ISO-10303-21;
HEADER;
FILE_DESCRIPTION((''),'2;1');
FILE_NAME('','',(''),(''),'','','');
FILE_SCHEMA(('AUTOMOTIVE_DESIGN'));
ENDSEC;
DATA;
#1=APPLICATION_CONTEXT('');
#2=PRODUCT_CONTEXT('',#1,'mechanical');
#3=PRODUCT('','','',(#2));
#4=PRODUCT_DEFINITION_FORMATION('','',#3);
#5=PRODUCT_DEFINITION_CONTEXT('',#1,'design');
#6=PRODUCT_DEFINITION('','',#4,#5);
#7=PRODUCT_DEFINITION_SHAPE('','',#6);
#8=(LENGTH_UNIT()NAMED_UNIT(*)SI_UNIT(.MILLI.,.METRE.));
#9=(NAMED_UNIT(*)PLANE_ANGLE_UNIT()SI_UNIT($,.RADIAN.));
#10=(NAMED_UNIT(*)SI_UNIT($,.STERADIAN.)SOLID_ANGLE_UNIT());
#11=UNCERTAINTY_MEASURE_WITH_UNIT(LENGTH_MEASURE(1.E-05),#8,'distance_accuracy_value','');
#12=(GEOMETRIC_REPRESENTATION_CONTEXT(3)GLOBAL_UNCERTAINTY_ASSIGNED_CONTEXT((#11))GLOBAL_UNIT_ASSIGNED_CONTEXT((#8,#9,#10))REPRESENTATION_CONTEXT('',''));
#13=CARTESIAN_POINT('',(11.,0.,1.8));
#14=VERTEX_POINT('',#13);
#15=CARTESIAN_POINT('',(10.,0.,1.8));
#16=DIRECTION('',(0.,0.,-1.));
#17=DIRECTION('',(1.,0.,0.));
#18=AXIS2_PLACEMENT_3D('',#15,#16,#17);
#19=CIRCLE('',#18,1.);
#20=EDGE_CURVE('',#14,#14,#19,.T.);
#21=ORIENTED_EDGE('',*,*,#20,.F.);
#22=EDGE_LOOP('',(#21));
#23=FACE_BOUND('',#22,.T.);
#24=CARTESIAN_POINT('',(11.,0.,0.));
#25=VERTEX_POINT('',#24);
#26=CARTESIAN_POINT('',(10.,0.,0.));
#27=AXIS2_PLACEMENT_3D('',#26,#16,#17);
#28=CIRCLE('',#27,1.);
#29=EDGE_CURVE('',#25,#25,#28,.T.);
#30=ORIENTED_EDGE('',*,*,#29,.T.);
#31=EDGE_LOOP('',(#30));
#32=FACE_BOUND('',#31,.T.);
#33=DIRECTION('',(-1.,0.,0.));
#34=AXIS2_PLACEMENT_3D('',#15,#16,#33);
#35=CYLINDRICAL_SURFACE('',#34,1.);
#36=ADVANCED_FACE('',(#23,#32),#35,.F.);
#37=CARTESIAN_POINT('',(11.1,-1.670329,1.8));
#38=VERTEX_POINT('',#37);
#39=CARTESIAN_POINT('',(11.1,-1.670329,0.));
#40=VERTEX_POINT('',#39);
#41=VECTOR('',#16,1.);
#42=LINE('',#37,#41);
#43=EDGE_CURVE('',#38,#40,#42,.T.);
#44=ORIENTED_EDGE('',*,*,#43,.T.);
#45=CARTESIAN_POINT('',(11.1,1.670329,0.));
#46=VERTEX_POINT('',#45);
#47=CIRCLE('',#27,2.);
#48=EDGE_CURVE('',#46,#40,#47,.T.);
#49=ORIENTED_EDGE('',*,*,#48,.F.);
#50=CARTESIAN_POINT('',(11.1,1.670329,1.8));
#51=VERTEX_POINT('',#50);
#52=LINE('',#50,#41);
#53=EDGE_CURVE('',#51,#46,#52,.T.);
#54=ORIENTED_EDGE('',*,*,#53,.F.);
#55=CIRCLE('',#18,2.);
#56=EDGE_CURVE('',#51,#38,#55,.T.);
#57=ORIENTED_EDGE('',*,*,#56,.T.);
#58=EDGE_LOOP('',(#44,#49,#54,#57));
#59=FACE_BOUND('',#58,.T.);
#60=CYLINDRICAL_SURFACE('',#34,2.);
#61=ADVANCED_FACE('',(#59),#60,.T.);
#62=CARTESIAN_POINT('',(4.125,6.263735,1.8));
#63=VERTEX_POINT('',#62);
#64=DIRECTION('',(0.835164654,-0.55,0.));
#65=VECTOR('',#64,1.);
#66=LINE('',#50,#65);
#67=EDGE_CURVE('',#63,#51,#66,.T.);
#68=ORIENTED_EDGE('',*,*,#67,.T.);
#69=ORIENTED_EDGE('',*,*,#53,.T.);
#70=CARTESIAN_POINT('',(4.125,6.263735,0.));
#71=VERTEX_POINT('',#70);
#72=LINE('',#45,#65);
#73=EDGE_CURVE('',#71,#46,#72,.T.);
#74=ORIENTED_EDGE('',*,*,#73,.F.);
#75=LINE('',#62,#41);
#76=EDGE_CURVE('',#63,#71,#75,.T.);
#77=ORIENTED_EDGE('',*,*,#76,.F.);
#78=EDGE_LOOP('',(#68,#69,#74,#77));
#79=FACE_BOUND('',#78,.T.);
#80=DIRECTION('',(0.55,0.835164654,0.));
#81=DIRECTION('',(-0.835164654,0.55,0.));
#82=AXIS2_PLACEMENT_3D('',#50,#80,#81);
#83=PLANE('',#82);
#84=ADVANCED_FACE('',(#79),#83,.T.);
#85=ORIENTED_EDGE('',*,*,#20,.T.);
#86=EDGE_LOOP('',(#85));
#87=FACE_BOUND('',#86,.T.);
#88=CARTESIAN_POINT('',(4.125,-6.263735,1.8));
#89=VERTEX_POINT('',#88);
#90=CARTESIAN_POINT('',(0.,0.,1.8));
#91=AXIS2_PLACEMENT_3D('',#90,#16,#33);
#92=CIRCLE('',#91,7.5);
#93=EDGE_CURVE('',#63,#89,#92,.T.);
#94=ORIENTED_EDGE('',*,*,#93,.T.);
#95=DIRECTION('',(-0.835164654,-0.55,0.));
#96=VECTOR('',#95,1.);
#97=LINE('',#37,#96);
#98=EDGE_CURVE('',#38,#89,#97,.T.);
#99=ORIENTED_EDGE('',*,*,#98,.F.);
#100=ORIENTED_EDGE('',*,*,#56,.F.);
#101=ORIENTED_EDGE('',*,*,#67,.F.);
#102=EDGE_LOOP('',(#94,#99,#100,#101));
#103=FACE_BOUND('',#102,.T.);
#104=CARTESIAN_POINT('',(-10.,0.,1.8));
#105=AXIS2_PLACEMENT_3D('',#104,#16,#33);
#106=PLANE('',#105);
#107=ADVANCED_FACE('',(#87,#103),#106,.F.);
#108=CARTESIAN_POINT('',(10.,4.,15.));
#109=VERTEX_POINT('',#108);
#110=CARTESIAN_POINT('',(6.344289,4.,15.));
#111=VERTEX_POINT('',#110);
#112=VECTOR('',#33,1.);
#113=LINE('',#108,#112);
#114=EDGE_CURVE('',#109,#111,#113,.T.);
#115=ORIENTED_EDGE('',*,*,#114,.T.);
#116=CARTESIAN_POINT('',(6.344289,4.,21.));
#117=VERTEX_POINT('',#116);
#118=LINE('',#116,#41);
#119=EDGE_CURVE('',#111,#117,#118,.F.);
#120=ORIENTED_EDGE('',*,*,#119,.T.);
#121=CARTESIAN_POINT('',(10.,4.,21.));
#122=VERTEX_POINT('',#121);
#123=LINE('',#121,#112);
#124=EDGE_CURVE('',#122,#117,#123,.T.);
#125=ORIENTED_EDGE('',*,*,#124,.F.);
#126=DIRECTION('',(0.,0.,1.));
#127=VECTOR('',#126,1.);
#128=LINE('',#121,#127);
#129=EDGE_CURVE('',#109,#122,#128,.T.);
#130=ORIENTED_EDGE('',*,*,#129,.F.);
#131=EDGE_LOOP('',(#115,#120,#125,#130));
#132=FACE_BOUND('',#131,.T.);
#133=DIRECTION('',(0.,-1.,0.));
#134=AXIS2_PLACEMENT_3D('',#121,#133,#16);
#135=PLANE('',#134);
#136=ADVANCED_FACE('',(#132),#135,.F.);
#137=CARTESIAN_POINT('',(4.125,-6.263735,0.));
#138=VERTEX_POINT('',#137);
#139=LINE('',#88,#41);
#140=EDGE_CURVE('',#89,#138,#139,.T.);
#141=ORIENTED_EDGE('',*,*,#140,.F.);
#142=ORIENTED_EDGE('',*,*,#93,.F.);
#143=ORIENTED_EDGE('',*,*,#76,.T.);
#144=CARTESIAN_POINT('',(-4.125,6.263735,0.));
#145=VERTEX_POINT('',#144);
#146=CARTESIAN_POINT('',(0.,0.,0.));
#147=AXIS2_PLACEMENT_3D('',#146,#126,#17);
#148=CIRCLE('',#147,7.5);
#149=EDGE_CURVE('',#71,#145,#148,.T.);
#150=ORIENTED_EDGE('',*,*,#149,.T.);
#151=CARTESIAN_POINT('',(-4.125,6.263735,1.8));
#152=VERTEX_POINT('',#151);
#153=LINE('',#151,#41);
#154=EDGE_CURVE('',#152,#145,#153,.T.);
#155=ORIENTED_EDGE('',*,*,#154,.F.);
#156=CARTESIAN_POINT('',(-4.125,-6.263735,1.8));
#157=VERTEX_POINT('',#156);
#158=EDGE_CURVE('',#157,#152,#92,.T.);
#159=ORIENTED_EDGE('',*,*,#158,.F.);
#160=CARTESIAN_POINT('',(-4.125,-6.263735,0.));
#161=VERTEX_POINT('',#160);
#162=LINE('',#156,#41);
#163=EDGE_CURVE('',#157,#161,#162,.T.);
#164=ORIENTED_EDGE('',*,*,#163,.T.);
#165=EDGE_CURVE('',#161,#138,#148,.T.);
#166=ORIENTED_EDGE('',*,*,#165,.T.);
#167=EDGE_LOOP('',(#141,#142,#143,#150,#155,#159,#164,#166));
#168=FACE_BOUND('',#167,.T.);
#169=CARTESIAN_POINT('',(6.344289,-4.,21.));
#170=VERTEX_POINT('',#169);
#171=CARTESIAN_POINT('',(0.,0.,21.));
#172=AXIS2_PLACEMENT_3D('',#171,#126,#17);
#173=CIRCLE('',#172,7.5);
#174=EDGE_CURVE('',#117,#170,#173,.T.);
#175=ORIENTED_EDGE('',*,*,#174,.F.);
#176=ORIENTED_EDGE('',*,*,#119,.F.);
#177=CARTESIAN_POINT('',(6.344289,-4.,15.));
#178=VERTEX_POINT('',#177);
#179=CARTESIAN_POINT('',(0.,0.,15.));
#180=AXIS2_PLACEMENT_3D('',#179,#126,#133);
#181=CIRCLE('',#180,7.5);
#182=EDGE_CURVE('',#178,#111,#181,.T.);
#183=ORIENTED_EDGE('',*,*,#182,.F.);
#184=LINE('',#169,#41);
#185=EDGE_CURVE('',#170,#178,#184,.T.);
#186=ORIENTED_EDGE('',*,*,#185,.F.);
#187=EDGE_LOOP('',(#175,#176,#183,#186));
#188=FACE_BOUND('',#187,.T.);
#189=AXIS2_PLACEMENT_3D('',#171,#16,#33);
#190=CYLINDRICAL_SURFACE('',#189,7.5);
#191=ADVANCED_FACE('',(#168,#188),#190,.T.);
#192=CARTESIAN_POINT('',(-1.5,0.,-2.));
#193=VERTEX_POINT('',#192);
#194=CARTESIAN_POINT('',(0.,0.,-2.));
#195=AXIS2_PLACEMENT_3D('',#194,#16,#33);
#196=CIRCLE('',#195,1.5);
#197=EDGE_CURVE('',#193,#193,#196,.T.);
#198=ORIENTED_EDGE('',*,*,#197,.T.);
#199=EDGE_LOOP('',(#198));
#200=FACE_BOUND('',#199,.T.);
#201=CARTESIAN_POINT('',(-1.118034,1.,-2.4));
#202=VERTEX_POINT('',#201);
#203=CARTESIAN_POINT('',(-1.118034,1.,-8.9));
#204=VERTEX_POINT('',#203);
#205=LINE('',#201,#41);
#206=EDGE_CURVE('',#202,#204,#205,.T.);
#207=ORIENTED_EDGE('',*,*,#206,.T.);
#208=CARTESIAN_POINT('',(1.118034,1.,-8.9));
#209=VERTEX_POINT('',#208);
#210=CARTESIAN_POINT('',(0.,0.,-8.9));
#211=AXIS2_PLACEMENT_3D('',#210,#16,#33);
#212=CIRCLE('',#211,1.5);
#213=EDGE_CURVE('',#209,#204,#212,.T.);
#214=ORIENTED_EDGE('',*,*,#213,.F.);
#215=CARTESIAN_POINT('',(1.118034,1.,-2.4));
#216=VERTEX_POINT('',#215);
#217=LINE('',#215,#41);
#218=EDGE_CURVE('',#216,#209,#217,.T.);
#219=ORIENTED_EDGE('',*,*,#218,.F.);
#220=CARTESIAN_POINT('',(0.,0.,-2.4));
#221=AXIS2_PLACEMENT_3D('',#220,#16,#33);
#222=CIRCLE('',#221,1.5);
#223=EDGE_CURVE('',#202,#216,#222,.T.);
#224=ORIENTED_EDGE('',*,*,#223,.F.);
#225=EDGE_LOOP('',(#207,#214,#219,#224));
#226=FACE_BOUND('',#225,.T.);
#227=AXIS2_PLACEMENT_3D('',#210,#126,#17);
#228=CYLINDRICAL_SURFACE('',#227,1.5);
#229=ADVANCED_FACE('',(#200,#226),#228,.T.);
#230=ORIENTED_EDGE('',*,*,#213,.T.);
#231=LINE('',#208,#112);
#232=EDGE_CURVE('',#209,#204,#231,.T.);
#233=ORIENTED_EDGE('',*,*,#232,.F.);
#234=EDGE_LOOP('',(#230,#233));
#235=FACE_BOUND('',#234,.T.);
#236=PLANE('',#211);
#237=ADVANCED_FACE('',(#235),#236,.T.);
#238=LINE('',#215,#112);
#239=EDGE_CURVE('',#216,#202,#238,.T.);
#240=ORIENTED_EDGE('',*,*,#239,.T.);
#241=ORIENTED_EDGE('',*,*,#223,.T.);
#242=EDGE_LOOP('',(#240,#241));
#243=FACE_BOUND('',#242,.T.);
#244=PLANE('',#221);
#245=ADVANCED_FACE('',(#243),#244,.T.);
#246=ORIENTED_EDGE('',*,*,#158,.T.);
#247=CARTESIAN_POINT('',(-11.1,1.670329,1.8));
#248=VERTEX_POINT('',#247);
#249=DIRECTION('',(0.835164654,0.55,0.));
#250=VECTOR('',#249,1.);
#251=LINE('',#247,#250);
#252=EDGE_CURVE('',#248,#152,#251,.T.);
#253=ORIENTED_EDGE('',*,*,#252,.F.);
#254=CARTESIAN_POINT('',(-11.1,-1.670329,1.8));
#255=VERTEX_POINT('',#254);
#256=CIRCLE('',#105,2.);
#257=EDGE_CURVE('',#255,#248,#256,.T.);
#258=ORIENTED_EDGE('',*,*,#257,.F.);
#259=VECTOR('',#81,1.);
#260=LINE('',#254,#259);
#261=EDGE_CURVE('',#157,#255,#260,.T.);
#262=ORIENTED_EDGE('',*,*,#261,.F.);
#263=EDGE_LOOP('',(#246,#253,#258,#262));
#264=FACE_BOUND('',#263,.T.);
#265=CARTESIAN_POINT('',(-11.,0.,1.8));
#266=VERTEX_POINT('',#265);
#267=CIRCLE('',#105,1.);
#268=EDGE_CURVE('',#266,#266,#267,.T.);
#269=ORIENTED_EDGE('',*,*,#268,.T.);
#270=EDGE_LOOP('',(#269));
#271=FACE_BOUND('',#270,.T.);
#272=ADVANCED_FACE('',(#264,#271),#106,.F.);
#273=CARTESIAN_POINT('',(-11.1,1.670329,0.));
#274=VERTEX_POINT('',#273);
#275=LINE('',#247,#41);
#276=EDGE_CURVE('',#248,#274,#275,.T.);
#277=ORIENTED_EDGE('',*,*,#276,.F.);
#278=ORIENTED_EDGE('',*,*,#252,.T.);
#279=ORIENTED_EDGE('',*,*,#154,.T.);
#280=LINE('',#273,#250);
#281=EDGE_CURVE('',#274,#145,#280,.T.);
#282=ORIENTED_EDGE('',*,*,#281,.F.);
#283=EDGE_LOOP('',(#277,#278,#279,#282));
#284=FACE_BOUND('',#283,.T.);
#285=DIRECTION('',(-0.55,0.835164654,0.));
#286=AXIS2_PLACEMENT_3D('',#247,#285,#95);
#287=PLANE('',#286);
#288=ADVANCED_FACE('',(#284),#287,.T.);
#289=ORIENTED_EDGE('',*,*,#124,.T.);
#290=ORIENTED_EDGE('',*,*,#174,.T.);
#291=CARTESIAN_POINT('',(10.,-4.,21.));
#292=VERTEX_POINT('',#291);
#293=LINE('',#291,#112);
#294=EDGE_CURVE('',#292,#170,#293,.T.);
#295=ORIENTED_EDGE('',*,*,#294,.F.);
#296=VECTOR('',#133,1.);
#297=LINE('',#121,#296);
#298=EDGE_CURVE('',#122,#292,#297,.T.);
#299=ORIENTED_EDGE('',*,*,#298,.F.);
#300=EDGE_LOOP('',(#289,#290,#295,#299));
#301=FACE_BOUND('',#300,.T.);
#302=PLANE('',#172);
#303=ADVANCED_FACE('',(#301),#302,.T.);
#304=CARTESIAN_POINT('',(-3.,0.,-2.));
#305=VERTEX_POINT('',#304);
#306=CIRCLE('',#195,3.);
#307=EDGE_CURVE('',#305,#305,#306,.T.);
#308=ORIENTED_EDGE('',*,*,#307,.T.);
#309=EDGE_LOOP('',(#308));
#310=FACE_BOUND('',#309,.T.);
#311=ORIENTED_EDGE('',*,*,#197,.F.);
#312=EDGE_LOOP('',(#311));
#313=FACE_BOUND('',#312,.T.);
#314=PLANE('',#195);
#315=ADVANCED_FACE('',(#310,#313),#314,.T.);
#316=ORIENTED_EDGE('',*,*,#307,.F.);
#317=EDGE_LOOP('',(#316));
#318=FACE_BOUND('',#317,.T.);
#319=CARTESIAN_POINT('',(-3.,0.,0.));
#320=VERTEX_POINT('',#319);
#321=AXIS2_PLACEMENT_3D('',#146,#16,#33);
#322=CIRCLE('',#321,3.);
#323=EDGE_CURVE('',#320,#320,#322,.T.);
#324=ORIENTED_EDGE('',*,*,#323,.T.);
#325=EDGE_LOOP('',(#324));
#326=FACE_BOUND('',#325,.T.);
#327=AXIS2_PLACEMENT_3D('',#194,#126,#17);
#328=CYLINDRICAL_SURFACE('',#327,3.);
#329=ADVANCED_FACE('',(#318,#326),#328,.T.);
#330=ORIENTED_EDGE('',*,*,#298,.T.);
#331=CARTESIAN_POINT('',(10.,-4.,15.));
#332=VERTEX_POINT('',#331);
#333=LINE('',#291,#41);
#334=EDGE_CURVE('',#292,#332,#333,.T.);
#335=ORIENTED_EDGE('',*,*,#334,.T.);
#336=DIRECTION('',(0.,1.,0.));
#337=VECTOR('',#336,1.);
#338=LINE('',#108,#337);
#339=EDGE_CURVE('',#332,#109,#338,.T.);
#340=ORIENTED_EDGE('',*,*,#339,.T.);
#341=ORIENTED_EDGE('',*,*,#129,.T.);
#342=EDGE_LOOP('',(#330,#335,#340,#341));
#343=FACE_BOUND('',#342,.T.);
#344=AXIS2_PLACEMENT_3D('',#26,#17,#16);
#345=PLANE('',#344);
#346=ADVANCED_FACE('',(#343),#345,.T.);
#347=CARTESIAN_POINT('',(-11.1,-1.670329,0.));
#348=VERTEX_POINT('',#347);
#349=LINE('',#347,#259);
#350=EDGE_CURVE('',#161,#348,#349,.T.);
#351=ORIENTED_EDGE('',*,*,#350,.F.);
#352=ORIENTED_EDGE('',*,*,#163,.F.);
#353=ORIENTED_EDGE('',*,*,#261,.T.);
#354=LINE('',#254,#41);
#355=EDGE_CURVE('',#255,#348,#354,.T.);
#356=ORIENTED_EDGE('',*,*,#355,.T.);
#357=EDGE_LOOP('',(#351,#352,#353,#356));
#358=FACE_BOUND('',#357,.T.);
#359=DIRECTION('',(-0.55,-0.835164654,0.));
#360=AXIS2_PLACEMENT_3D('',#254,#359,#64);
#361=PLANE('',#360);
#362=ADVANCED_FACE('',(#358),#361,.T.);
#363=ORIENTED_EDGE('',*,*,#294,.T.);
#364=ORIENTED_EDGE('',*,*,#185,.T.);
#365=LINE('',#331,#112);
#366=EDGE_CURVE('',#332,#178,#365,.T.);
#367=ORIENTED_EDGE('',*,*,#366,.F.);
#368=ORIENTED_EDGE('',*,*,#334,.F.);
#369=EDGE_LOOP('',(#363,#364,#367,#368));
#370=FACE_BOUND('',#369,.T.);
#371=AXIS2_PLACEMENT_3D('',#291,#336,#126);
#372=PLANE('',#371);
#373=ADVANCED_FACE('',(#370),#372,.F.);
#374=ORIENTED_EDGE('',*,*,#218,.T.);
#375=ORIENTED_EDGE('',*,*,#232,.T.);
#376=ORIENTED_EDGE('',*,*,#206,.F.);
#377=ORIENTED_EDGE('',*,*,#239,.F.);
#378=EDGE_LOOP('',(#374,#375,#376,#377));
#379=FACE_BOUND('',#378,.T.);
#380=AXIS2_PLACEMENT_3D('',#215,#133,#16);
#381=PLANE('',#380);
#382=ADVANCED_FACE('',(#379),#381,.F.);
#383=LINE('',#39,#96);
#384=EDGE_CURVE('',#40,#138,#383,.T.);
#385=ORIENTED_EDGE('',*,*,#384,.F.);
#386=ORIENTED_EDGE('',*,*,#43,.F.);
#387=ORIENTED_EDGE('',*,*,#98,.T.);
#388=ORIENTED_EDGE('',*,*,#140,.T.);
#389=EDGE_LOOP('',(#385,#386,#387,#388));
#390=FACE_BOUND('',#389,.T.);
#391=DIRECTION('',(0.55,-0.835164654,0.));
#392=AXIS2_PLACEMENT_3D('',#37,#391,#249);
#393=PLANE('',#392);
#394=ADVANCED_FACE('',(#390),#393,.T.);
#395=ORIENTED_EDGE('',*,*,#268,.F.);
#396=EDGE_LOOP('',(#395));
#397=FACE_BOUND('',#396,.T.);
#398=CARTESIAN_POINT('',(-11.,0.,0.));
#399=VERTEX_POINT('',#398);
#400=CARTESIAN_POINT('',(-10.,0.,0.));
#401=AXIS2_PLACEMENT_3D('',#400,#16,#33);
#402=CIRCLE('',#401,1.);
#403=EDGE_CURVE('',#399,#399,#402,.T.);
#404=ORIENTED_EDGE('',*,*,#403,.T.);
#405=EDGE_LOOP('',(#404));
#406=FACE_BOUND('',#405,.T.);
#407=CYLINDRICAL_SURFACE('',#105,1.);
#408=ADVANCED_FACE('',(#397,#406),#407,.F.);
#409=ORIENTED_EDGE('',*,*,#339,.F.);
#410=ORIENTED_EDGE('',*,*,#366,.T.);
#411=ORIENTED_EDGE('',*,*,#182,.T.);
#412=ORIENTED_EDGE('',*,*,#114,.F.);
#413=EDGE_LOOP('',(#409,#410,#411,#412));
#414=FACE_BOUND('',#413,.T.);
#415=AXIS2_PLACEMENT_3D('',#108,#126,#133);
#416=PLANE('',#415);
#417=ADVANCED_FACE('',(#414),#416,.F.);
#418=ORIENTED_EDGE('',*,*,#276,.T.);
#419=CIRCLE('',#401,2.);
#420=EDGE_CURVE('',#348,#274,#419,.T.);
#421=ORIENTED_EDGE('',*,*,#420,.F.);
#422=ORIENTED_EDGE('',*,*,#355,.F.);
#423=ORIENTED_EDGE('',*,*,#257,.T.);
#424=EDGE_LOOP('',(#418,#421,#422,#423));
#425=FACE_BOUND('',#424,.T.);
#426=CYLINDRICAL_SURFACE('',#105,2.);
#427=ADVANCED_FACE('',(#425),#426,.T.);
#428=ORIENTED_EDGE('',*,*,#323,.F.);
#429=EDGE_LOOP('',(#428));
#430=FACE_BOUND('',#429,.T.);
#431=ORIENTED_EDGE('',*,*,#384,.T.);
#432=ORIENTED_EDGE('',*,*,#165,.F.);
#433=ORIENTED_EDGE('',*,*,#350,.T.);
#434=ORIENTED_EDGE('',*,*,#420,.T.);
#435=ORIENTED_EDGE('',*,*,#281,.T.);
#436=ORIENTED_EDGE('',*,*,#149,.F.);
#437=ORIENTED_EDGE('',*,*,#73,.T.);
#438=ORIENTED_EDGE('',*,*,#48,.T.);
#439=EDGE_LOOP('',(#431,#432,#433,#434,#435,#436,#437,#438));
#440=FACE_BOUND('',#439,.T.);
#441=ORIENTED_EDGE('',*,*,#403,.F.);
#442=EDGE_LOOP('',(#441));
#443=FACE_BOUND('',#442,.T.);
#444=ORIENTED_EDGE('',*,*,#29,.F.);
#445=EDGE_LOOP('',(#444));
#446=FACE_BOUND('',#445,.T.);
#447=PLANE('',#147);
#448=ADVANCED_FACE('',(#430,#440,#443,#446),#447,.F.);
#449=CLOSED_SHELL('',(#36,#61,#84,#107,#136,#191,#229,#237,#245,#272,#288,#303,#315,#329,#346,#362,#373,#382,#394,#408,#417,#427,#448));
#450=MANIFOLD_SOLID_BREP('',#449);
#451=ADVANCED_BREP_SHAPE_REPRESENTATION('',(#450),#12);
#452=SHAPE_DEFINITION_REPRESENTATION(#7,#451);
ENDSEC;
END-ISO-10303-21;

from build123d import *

# Parameters (mm, degrees)
SKETCH_2_R          = 7.5
EXTRUDE_2_DEPTH     = 21
SKETCH_3_R          = 3
EXTRUDE_3_DEPTH     = 2
SKETCH_4_R          = 1.5
EXTRUDE_4_DEPTH     = 6.9
CUT_EXTRUDE_START   = -6.5
CUT_EXTRUDE_1_DEPTH = 6.5
SKETCH_6_R          = 1
EXTRUDE_6_DEPTH     = 1.8
SKETCH_7_W          = 6
SKETCH_7_H          = 8
EXTRUDE_7_DEPTH     = 10


with BuildPart() as part:
    # 草图2 → 凸台-拉伸2 (new body)
    with BuildSketch(Plane.XY):
        with Locations(Location((0, 0, 0), (0, 0, 180))):
            Circle(SKETCH_2_R)
    extrude(amount=EXTRUDE_2_DEPTH)

    # 草图3 → 凸台-拉伸3 (add)
    with BuildSketch(Plane(origin=(0, 0, 0), x_dir=(-1, 0, 0), z_dir=(0, 0, -1))):
        Circle(SKETCH_3_R)
    extrude(amount=EXTRUDE_3_DEPTH)

    # 草图4 → 凸台-拉伸4 (add)
    with BuildSketch(Plane(origin=(0, 0, -2), x_dir=(-1, 0, 0), z_dir=(0, 0, -1))):
        with Locations(Location((0, 0, 0), (0, 0, 180))):
            Circle(SKETCH_4_R)
    extrude(amount=EXTRUDE_4_DEPTH)

    # 草图5 → 切除-拉伸1 (cut)
    with BuildSketch(Plane(origin=(0, 0, -8.9), x_dir=(-1, 0, 0), z_dir=(0, 0, -1)).offset(CUT_EXTRUDE_START)):
        with BuildLine():
            Line((-1.118033989, 1), (1.118033989, 1))
            ThreePointArc((1.118033989, 1), (0, 1.5), (-1.118033989, 1))
        make_face()
    extrude(amount=CUT_EXTRUDE_1_DEPTH, mode=Mode.SUBTRACT)

    # 草图6 → 凸台-拉伸6 (add)
    with BuildSketch(Plane(origin=(0, 0, 0), x_dir=(-1, 0, 0), z_dir=(0, 0, -1))):
        with BuildLine():
            Line((11.1, 1.670329309), (4.125, 6.263734908))
            ThreePointArc((4.125, 6.263734908), (0, 7.5), (-4.125, 6.263734908))
            Line((-4.125, 6.263734908), (-11.1, 1.670329309))
            ThreePointArc((-11.1, 1.670329309), (-12, 0), (-11.1, -1.670329309))
            Line((-11.1, -1.670329309), (-4.125, -6.263734908))
            ThreePointArc((-4.125, -6.263734908), (0, -7.5), (4.125, -6.263734908))
            Line((4.125, -6.263734908), (11.1, -1.670329309))
            ThreePointArc((11.1, -1.670329309), (12, 0), (11.1, 1.670329309))
        make_face()
        with Locations((10, 0)):
            Circle(SKETCH_6_R, mode=Mode.SUBTRACT)
        with Locations(Location((-10, 0, 0), (0, 0, 180))):
            Circle(SKETCH_6_R, mode=Mode.SUBTRACT)
    extrude(amount=-EXTRUDE_6_DEPTH)

    # 草图7 → 凸台-拉伸7 (add)
    with BuildSketch(Plane(origin=(0, 0, 0), x_dir=(0, 0, -1), z_dir=(1, 0, 0))):
        with Locations((-18, 0)):
            Rectangle(SKETCH_7_W, SKETCH_7_H)
    extrude(amount=EXTRUDE_7_DEPTH)


solid = part.part
